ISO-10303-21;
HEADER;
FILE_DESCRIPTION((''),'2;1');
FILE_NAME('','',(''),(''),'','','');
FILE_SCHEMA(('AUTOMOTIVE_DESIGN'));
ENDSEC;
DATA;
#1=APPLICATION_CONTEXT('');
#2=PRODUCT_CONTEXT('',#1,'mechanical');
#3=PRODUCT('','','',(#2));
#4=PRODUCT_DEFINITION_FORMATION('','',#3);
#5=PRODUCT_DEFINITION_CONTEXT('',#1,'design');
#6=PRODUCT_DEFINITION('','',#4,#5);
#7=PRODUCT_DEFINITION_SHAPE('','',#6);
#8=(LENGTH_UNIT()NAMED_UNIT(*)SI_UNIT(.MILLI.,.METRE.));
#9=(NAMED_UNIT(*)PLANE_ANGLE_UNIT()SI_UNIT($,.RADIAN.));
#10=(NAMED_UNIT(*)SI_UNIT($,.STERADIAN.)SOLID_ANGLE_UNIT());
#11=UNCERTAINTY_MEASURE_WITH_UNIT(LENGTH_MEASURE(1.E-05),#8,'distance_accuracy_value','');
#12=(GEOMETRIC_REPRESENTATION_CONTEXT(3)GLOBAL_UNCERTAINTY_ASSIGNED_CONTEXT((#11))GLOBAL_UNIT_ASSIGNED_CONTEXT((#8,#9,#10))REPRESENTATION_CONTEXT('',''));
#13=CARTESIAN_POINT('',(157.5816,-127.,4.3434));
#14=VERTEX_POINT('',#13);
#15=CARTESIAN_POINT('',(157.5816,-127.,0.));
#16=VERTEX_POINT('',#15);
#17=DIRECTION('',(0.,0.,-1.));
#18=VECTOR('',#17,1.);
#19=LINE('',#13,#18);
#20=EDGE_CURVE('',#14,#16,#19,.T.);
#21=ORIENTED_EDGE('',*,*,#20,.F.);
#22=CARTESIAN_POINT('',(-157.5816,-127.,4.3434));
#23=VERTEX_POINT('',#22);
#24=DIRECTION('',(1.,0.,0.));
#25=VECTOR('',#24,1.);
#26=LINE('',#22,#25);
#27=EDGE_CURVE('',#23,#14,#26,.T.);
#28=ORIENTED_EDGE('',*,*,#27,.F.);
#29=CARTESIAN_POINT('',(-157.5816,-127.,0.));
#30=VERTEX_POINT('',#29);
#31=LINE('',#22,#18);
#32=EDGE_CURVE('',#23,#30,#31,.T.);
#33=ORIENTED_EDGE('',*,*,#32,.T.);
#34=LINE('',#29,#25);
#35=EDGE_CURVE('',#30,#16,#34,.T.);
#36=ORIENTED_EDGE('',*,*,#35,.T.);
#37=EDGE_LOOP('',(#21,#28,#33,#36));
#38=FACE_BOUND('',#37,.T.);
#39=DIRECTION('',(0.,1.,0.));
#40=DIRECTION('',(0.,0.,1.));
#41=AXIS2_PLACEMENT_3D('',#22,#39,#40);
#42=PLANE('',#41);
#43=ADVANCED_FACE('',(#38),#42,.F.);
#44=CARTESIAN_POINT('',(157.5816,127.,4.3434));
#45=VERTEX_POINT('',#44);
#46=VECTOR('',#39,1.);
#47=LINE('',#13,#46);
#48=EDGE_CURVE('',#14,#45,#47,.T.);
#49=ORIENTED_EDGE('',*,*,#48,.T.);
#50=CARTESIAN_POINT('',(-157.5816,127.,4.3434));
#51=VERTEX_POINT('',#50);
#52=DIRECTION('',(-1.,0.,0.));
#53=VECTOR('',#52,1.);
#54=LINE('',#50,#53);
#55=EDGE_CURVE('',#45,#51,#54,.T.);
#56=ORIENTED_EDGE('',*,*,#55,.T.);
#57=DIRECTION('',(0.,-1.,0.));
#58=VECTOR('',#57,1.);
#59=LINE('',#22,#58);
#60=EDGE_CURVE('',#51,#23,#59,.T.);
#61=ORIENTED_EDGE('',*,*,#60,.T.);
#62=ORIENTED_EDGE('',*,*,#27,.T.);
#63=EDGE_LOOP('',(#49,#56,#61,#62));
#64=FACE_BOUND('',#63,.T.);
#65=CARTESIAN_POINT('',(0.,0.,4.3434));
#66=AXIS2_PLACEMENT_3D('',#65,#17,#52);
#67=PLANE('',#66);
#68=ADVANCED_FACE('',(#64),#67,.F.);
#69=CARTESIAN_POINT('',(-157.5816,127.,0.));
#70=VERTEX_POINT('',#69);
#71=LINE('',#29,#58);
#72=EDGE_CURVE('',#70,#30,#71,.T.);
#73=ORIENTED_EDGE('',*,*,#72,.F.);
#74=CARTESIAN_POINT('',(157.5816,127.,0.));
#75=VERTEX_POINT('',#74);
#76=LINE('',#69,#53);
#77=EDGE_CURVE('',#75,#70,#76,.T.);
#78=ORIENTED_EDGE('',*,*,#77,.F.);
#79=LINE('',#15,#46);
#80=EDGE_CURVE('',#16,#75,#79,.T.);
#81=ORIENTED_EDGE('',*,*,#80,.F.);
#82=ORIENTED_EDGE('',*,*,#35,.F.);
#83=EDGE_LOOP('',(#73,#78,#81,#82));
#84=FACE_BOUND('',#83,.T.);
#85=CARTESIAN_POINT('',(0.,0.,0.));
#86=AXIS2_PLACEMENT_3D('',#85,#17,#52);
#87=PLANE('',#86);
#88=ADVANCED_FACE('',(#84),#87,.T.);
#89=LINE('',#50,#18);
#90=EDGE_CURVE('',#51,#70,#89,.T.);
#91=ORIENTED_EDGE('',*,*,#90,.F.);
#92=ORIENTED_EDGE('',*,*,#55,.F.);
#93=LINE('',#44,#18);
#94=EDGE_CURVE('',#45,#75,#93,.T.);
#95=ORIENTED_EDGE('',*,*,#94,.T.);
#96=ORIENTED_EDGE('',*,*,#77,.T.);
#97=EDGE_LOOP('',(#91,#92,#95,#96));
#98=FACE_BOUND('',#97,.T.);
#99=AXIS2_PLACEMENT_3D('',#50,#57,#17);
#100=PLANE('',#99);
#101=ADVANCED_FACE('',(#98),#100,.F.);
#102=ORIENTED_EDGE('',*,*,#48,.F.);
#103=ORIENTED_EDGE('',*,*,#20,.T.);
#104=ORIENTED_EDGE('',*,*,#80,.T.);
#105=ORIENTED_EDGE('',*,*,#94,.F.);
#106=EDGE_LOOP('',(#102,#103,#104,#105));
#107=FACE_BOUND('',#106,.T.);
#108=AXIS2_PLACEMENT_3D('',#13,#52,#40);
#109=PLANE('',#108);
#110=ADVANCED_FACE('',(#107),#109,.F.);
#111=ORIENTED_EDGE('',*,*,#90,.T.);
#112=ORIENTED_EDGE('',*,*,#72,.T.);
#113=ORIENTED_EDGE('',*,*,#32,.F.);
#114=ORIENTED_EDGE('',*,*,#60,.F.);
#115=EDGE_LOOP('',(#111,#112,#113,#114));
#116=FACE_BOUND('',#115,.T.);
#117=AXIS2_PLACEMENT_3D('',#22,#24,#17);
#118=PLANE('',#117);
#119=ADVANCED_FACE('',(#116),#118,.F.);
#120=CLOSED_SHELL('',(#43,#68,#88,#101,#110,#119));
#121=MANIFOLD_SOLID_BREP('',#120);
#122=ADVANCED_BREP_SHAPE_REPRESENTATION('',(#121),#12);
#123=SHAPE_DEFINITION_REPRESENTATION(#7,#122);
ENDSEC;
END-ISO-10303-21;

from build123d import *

# Parameters (mm, degrees)
SKETCH1_W           = 315.1632
SKETCH1_H           = 254
BOSS_EXTRUDE1_DEPTH = 4.3434


with BuildPart() as part:
    # Sketch1 → Boss-Extrude1 (new body)
    with BuildSketch(Plane.XY):
        Rectangle(SKETCH1_W, SKETCH1_H)
    extrude(amount=BOSS_EXTRUDE1_DEPTH)


solid = part.part
